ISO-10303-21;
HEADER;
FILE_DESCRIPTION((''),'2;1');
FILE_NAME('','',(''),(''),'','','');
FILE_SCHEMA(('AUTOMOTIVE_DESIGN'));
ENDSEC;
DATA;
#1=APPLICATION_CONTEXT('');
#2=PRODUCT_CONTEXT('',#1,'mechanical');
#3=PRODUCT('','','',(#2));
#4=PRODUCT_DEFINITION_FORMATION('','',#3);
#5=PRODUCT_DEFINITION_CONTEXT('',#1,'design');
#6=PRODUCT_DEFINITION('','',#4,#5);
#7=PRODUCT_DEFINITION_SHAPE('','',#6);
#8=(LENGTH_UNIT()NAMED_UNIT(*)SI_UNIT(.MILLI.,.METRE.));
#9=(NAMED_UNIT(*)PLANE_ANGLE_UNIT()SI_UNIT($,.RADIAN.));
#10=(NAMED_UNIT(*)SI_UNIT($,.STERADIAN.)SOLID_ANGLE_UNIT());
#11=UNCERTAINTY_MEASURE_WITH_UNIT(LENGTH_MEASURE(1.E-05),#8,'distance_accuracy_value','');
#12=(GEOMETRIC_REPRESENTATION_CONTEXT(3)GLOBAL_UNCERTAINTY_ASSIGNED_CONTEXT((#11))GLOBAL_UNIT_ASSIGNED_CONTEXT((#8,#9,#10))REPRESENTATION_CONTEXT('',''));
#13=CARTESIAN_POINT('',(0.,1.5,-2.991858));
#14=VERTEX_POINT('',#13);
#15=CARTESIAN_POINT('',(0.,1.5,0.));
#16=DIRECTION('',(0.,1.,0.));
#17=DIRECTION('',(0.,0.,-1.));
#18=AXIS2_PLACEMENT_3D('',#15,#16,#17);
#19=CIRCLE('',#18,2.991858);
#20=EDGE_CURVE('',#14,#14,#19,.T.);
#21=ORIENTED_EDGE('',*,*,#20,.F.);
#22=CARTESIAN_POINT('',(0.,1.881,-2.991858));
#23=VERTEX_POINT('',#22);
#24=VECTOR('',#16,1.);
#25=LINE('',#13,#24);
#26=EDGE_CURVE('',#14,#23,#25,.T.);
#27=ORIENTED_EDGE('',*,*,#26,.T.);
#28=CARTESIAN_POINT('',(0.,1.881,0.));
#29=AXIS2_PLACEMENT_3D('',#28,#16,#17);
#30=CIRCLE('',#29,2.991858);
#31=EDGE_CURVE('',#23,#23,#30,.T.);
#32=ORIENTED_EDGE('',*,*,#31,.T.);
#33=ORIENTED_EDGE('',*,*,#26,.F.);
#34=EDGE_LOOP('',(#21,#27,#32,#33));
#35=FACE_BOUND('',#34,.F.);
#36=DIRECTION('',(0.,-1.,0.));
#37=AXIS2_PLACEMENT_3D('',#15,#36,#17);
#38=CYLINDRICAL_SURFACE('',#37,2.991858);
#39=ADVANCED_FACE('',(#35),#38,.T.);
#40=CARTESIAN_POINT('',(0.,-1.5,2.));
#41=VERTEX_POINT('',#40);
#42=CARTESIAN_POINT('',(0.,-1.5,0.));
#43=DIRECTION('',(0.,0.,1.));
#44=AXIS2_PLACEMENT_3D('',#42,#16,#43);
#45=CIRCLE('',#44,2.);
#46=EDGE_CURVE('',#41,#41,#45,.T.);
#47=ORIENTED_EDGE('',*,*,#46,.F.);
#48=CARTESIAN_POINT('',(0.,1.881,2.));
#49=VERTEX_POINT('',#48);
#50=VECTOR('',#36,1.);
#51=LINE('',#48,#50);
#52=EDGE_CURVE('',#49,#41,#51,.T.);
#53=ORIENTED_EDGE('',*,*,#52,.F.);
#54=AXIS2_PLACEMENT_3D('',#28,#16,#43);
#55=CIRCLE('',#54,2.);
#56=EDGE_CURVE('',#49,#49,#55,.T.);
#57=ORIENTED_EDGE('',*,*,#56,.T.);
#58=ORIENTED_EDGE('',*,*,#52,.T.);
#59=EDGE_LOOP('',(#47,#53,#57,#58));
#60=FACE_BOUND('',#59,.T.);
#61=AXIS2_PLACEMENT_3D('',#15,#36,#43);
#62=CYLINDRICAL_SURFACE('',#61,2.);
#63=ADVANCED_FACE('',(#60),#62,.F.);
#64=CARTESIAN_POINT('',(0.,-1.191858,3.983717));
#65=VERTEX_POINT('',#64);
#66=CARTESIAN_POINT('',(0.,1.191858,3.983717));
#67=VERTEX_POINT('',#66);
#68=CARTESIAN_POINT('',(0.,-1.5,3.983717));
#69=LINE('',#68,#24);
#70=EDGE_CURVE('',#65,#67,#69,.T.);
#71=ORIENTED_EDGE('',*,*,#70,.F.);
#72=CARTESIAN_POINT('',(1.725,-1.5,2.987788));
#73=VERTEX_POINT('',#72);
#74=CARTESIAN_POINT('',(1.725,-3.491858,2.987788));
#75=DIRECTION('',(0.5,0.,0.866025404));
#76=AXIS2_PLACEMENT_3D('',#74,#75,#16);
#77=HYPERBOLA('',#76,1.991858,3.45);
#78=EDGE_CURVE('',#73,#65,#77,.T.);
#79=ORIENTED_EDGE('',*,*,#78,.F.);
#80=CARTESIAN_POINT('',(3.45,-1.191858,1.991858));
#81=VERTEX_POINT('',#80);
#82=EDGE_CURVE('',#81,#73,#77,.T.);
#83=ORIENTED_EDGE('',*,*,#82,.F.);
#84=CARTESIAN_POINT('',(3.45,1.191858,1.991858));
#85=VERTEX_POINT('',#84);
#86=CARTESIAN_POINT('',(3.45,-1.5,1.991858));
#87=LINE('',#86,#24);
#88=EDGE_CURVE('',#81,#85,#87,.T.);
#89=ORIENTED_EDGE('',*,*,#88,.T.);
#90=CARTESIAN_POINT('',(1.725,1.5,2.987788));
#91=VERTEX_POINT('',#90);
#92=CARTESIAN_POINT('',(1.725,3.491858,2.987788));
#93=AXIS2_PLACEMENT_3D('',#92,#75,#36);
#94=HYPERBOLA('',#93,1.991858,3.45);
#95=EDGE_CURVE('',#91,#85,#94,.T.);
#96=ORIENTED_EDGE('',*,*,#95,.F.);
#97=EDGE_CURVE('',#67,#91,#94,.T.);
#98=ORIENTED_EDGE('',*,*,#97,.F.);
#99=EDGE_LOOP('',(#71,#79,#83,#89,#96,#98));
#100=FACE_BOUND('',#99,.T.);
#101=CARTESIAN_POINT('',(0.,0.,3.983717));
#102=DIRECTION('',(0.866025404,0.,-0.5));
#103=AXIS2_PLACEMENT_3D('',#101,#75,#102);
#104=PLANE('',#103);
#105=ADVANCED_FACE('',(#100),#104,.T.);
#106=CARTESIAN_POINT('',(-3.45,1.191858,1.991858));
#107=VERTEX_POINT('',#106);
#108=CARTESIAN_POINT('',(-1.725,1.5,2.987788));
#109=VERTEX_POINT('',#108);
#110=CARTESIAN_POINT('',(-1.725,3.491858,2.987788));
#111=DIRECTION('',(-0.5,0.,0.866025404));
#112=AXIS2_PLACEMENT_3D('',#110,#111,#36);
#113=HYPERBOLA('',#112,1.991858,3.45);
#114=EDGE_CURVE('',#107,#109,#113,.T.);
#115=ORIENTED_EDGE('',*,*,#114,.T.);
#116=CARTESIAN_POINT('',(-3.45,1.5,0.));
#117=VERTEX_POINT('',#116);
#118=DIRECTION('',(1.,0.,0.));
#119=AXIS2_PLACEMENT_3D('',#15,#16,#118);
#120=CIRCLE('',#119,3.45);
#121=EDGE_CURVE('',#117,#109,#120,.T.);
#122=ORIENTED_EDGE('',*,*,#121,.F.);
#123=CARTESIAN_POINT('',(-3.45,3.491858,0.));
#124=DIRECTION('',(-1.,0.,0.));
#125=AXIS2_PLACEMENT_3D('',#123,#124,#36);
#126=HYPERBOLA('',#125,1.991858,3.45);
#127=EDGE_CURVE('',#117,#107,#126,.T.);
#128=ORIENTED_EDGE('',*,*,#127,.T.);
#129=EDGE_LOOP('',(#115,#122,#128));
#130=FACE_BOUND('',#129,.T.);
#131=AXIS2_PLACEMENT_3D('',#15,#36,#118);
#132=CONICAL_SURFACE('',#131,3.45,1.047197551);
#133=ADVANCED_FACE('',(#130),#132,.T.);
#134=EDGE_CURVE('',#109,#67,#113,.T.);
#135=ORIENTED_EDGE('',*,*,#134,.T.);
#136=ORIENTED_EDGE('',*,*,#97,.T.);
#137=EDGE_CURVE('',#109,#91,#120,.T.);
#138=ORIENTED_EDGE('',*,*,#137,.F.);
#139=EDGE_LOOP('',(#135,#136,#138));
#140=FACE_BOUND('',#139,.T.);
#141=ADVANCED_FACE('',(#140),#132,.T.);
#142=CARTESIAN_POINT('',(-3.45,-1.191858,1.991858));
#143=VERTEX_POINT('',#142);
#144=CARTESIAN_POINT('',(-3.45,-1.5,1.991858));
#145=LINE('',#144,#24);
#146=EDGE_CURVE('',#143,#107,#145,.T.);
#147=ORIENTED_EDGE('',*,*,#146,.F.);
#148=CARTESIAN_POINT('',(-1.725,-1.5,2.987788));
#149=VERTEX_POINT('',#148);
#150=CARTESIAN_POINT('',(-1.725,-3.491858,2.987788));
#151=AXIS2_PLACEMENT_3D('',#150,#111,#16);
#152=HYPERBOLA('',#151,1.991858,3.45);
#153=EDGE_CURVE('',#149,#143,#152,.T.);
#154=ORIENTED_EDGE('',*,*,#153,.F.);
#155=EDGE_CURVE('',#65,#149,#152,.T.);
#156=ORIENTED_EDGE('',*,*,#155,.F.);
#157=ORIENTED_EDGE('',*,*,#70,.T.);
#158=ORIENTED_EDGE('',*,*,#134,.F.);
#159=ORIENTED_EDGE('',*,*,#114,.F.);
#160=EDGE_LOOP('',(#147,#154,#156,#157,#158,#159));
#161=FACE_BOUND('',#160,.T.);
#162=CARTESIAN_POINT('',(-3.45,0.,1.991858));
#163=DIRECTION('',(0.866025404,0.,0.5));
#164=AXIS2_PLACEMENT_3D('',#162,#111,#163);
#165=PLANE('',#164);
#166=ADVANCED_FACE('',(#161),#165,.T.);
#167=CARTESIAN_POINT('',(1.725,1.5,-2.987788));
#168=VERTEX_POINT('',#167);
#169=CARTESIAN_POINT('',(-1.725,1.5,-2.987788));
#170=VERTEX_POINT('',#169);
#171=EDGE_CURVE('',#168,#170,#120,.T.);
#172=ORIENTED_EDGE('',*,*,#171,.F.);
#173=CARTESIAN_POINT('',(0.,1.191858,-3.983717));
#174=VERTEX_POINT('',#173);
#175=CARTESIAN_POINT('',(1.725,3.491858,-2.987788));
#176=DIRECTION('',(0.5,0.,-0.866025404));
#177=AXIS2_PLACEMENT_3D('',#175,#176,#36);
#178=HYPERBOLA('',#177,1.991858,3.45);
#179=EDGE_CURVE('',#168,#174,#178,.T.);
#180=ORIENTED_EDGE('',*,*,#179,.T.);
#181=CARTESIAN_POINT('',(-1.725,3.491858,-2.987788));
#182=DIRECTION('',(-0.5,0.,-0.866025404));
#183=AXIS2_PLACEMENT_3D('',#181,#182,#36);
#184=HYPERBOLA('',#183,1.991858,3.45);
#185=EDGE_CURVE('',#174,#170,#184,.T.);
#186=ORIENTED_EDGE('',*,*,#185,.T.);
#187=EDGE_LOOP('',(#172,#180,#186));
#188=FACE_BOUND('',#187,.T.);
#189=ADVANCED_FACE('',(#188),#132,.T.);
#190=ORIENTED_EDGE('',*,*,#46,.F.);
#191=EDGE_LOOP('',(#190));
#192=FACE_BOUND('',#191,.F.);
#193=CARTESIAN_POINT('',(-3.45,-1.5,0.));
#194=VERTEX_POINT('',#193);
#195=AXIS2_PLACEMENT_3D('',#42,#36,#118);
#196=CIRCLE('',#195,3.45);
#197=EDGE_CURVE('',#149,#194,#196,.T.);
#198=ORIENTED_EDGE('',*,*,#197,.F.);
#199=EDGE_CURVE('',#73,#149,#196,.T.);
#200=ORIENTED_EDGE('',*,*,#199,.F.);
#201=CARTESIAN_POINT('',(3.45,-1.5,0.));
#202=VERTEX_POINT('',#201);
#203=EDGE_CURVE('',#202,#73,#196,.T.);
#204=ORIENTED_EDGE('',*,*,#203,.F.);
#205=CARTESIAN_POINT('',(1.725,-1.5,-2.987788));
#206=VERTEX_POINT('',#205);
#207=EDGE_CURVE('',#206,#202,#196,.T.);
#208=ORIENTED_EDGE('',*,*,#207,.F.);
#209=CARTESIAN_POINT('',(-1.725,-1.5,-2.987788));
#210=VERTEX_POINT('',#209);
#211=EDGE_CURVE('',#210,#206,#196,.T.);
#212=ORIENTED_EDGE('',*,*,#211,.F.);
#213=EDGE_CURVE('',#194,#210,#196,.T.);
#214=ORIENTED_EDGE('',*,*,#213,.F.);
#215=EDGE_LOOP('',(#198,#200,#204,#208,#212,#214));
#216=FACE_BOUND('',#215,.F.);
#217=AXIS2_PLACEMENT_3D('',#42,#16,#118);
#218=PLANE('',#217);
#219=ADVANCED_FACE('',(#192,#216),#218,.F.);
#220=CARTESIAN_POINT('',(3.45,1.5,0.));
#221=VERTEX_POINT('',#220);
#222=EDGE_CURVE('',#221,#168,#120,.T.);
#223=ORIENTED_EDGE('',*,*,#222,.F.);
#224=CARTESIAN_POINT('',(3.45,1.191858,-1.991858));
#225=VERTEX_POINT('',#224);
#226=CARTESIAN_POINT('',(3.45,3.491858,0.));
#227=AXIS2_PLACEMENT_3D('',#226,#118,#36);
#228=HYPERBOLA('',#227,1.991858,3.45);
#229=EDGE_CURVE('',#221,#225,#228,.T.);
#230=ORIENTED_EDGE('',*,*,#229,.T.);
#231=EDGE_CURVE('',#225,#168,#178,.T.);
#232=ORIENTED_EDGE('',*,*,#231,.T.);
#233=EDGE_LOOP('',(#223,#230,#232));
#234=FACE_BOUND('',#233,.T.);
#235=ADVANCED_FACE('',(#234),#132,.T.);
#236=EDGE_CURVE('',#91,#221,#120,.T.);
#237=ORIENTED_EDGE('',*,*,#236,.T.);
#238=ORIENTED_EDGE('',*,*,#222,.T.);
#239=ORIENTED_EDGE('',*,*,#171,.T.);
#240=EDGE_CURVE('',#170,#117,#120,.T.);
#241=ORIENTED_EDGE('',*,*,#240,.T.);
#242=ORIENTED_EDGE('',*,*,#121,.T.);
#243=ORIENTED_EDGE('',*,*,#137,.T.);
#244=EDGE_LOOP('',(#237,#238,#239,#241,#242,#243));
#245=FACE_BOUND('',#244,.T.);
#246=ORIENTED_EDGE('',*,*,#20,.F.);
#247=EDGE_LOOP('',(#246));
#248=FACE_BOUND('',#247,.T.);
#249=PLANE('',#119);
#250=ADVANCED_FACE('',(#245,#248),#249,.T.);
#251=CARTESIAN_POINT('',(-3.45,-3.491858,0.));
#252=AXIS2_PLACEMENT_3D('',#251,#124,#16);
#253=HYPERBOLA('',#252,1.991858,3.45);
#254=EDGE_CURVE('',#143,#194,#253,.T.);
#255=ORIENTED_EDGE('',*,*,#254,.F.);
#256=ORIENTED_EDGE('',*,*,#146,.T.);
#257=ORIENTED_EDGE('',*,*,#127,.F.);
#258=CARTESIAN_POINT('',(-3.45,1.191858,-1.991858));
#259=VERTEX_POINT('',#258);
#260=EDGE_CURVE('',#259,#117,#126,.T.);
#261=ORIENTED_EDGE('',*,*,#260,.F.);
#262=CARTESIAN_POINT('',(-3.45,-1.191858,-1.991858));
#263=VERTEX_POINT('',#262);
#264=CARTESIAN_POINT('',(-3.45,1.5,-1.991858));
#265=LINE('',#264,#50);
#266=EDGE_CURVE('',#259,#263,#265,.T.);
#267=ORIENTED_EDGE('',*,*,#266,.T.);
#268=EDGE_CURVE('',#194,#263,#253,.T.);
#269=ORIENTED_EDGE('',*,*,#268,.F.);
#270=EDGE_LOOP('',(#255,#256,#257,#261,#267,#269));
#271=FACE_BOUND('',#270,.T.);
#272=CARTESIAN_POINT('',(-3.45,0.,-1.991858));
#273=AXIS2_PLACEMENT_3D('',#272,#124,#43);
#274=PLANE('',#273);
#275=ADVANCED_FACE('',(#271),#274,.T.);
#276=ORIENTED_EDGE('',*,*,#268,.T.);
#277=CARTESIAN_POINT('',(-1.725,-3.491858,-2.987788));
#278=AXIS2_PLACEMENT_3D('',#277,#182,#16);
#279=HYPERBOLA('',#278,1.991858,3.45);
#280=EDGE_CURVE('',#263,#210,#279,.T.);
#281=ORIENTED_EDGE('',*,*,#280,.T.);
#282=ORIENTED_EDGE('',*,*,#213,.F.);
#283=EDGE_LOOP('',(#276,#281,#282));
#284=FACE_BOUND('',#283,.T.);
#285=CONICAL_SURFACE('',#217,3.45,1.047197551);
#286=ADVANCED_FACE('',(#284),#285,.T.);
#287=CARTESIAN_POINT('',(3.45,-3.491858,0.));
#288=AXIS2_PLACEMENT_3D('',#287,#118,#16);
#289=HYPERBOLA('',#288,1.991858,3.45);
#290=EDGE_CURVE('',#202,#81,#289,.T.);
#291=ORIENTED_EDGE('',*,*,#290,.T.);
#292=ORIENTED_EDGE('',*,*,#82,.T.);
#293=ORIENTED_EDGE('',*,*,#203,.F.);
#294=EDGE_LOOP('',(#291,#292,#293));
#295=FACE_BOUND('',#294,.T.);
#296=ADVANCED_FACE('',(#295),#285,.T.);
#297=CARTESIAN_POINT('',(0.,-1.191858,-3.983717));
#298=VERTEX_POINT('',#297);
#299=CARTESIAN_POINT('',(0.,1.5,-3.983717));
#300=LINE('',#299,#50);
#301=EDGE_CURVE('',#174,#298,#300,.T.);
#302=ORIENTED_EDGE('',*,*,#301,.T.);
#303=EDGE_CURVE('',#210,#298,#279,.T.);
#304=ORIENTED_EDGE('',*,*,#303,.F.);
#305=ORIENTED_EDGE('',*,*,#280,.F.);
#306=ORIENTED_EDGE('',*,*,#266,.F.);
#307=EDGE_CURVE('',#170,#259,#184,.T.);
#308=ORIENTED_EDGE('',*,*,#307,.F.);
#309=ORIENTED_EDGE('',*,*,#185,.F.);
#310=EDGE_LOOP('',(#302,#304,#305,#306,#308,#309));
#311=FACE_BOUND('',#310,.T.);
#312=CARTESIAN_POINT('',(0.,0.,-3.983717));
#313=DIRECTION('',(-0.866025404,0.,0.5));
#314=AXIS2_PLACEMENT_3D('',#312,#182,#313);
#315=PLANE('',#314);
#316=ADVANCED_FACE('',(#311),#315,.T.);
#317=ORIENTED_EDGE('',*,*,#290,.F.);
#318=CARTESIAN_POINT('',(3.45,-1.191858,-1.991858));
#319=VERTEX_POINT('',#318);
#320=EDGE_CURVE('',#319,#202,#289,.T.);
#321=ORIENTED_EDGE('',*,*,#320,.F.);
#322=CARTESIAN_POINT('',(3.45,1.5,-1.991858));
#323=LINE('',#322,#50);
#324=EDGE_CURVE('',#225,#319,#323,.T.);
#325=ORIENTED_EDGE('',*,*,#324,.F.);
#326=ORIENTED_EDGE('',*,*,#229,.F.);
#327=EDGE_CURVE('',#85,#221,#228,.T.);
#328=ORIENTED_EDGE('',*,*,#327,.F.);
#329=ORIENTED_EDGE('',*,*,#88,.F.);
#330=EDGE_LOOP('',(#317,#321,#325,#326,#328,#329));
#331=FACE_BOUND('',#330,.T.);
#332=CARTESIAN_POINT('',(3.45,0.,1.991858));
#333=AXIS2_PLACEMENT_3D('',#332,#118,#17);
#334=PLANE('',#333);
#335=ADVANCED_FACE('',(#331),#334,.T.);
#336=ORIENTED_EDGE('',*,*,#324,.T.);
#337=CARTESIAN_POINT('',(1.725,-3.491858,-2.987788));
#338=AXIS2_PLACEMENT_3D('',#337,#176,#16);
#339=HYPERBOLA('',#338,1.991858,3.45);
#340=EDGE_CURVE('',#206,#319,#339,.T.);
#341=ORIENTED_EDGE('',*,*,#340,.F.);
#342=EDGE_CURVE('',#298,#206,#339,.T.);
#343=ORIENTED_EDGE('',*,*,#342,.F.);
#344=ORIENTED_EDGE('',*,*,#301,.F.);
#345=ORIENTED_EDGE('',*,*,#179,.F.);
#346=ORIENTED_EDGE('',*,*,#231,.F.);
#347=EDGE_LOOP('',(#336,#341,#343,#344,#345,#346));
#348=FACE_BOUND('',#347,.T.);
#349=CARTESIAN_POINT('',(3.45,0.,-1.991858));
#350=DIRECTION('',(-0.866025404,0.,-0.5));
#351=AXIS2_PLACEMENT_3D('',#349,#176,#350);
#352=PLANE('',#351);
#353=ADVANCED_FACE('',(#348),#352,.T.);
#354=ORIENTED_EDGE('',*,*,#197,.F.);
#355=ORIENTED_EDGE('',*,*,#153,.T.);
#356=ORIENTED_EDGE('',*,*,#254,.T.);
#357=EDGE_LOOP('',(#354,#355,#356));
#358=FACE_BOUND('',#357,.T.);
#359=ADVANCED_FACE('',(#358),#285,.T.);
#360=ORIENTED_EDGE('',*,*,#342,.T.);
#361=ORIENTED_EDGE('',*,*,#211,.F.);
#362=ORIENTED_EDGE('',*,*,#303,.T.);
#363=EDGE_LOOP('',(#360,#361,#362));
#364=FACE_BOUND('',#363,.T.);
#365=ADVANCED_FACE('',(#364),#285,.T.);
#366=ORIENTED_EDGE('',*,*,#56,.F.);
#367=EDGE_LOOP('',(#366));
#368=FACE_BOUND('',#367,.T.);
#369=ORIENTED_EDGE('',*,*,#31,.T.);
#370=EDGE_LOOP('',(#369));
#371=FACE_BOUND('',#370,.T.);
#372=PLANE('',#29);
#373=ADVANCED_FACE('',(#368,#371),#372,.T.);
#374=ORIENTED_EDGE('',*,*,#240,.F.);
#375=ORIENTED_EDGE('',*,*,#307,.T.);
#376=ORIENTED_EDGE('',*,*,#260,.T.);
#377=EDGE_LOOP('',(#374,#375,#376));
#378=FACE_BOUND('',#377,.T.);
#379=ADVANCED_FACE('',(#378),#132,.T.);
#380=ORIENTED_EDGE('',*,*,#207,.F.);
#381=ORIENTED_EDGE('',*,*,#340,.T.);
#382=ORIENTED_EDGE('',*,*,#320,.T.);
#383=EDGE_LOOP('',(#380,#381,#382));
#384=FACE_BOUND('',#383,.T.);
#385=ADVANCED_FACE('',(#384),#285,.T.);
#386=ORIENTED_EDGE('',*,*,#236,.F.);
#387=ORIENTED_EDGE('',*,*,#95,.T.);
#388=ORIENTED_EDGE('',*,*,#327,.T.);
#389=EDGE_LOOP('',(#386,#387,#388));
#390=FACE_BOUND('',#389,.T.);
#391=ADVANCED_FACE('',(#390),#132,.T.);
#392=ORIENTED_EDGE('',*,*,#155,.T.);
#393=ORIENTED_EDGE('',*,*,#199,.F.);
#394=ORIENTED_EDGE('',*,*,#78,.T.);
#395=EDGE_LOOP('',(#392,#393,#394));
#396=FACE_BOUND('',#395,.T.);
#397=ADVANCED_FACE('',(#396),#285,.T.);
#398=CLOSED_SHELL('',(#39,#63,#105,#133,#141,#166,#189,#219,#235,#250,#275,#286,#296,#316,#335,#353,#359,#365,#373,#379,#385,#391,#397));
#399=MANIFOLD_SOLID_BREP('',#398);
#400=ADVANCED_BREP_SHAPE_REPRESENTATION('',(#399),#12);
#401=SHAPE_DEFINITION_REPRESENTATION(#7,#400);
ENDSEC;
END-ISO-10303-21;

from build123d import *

# Parameters (mm, degrees)
SKETCH1_R               = 2
BOSS_EXTRUDE1_DEPTH     = 1.5
SKETCH6_R               = 2.991858429
SKETCH6_R_2             = 2
BOSS_EXTRUDE2_DEPTH     = 0.381
SKETCH5_OUTSIDE_W       = 35.584
SKETCH5_OUTSIDE_H       = 36.652
SKETCH5_OUTSIDE_R       = 3.45
CUT_EXTRUDE2_DEPTH      = 7.064033311
CUT_EXTRUDE2_DRAFT      = -60
MIRROR2_COPY_1_SKETCH_W = 35.584
MIRROR2_COPY_1_SKETCH_H = 36.652
MIRROR2_COPY_1_SKETCH_R = 3.45
MIRROR2_COPY_1_DEPTH    = 7.064033311
MIRROR2_COPY_1_DRAFT    = -60


with BuildPart() as part:
    # Sketch1 → Boss-Extrude1 (new, symmetric)
    with BuildSketch(Plane(origin=(0, 0, 0), x_dir=(1, 0, 0), z_dir=(0, 1, 0))):
        Polygon((-3.45, 1.991858429), (-3.45, -1.991858429), (0, -3.983716857), (3.45, -1.991858429), (3.45, 1.991858429), (0, 3.983716857), align=None)
        Circle(SKETCH1_R, mode=Mode.SUBTRACT)
    extrude(amount=BOSS_EXTRUDE1_DEPTH, both=True)

    # Sketch6 → Boss-Extrude2 (add)
    with BuildSketch(Plane(origin=(0, 1.5, 0), x_dir=(1, 0, 0), z_dir=(0, 1, 0))):
        Circle(SKETCH6_R)
        Circle(SKETCH6_R_2, mode=Mode.SUBTRACT)
    extrude(amount=BOSS_EXTRUDE2_DEPTH)


with BuildPart() as cut_extrude2_tool:
    # Sketch5 outside → Cut-Extrude2 (with draft: the straight prism first)
    with BuildSketch(Plane(origin=(0, 1.5, 0), x_dir=(1, 0, 0), z_dir=(0, 1, 0))):
        Rectangle(SKETCH5_OUTSIDE_W, SKETCH5_OUTSIDE_H)
        Circle(SKETCH5_OUTSIDE_R, mode=Mode.SUBTRACT)
    extrude(amount=-CUT_EXTRUDE2_DEPTH)
    # Cut-Extrude2: the draft: its side faces are tilted about the plane it starts from
    cut_extrude2_sides = [cut_extrude2_tool.faces().sort_by_distance(p)[0] for p in [
        (0, -2.032016656, 18.326),
        (17.792, -2.032016656, 0),
        (0, -2.032016656, -18.326),
        (-17.792, -2.032016656, 0),
        (-3.45, -2.032016656, 0),
    ]]
    draft(cut_extrude2_sides, Plane(origin=(0, 1.5, 0), x_dir=(1, 0, 0), z_dir=(0, 1, 0)), CUT_EXTRUDE2_DRAFT)


with BuildPart() as part_1:
    add(part.part)

    # Cut-Extrude2: cut by cut_extrude2_tool
    add(cut_extrude2_tool.part, mode=Mode.SUBTRACT)


with BuildPart() as mirror2_copy_1_tool:
    # Mirror2 copy 1 sketch → Mirror2 copy 1 (with draft: the straight prism first)
    with BuildSketch(Plane.XZ.offset(1.5)):
        Rectangle(MIRROR2_COPY_1_SKETCH_W, MIRROR2_COPY_1_SKETCH_H)
        Circle(MIRROR2_COPY_1_SKETCH_R, mode=Mode.SUBTRACT)
    extrude(amount=-MIRROR2_COPY_1_DEPTH)
    # Mirror2 copy 1: the draft: its side faces are tilted about the plane it starts from
    mirror2_copy_1_sides = [mirror2_copy_1_tool.faces().sort_by_distance(p)[0] for p in [
        (0, 2.032016656, 18.326),
        (17.792, 2.032016656, 0),
        (0, 2.032016656, -18.326),
        (-17.792, 2.032016656, 0),
        (-3.45, 2.032016656, 0),
    ]]
    draft(mirror2_copy_1_sides, Plane.XZ.offset(1.5), MIRROR2_COPY_1_DRAFT)


with BuildPart() as part_2:
    add(part_1.part)

    # Mirror2 copy 1: cut by mirror2_copy_1_tool
    add(mirror2_copy_1_tool.part, mode=Mode.SUBTRACT)


solid = part_2.part
